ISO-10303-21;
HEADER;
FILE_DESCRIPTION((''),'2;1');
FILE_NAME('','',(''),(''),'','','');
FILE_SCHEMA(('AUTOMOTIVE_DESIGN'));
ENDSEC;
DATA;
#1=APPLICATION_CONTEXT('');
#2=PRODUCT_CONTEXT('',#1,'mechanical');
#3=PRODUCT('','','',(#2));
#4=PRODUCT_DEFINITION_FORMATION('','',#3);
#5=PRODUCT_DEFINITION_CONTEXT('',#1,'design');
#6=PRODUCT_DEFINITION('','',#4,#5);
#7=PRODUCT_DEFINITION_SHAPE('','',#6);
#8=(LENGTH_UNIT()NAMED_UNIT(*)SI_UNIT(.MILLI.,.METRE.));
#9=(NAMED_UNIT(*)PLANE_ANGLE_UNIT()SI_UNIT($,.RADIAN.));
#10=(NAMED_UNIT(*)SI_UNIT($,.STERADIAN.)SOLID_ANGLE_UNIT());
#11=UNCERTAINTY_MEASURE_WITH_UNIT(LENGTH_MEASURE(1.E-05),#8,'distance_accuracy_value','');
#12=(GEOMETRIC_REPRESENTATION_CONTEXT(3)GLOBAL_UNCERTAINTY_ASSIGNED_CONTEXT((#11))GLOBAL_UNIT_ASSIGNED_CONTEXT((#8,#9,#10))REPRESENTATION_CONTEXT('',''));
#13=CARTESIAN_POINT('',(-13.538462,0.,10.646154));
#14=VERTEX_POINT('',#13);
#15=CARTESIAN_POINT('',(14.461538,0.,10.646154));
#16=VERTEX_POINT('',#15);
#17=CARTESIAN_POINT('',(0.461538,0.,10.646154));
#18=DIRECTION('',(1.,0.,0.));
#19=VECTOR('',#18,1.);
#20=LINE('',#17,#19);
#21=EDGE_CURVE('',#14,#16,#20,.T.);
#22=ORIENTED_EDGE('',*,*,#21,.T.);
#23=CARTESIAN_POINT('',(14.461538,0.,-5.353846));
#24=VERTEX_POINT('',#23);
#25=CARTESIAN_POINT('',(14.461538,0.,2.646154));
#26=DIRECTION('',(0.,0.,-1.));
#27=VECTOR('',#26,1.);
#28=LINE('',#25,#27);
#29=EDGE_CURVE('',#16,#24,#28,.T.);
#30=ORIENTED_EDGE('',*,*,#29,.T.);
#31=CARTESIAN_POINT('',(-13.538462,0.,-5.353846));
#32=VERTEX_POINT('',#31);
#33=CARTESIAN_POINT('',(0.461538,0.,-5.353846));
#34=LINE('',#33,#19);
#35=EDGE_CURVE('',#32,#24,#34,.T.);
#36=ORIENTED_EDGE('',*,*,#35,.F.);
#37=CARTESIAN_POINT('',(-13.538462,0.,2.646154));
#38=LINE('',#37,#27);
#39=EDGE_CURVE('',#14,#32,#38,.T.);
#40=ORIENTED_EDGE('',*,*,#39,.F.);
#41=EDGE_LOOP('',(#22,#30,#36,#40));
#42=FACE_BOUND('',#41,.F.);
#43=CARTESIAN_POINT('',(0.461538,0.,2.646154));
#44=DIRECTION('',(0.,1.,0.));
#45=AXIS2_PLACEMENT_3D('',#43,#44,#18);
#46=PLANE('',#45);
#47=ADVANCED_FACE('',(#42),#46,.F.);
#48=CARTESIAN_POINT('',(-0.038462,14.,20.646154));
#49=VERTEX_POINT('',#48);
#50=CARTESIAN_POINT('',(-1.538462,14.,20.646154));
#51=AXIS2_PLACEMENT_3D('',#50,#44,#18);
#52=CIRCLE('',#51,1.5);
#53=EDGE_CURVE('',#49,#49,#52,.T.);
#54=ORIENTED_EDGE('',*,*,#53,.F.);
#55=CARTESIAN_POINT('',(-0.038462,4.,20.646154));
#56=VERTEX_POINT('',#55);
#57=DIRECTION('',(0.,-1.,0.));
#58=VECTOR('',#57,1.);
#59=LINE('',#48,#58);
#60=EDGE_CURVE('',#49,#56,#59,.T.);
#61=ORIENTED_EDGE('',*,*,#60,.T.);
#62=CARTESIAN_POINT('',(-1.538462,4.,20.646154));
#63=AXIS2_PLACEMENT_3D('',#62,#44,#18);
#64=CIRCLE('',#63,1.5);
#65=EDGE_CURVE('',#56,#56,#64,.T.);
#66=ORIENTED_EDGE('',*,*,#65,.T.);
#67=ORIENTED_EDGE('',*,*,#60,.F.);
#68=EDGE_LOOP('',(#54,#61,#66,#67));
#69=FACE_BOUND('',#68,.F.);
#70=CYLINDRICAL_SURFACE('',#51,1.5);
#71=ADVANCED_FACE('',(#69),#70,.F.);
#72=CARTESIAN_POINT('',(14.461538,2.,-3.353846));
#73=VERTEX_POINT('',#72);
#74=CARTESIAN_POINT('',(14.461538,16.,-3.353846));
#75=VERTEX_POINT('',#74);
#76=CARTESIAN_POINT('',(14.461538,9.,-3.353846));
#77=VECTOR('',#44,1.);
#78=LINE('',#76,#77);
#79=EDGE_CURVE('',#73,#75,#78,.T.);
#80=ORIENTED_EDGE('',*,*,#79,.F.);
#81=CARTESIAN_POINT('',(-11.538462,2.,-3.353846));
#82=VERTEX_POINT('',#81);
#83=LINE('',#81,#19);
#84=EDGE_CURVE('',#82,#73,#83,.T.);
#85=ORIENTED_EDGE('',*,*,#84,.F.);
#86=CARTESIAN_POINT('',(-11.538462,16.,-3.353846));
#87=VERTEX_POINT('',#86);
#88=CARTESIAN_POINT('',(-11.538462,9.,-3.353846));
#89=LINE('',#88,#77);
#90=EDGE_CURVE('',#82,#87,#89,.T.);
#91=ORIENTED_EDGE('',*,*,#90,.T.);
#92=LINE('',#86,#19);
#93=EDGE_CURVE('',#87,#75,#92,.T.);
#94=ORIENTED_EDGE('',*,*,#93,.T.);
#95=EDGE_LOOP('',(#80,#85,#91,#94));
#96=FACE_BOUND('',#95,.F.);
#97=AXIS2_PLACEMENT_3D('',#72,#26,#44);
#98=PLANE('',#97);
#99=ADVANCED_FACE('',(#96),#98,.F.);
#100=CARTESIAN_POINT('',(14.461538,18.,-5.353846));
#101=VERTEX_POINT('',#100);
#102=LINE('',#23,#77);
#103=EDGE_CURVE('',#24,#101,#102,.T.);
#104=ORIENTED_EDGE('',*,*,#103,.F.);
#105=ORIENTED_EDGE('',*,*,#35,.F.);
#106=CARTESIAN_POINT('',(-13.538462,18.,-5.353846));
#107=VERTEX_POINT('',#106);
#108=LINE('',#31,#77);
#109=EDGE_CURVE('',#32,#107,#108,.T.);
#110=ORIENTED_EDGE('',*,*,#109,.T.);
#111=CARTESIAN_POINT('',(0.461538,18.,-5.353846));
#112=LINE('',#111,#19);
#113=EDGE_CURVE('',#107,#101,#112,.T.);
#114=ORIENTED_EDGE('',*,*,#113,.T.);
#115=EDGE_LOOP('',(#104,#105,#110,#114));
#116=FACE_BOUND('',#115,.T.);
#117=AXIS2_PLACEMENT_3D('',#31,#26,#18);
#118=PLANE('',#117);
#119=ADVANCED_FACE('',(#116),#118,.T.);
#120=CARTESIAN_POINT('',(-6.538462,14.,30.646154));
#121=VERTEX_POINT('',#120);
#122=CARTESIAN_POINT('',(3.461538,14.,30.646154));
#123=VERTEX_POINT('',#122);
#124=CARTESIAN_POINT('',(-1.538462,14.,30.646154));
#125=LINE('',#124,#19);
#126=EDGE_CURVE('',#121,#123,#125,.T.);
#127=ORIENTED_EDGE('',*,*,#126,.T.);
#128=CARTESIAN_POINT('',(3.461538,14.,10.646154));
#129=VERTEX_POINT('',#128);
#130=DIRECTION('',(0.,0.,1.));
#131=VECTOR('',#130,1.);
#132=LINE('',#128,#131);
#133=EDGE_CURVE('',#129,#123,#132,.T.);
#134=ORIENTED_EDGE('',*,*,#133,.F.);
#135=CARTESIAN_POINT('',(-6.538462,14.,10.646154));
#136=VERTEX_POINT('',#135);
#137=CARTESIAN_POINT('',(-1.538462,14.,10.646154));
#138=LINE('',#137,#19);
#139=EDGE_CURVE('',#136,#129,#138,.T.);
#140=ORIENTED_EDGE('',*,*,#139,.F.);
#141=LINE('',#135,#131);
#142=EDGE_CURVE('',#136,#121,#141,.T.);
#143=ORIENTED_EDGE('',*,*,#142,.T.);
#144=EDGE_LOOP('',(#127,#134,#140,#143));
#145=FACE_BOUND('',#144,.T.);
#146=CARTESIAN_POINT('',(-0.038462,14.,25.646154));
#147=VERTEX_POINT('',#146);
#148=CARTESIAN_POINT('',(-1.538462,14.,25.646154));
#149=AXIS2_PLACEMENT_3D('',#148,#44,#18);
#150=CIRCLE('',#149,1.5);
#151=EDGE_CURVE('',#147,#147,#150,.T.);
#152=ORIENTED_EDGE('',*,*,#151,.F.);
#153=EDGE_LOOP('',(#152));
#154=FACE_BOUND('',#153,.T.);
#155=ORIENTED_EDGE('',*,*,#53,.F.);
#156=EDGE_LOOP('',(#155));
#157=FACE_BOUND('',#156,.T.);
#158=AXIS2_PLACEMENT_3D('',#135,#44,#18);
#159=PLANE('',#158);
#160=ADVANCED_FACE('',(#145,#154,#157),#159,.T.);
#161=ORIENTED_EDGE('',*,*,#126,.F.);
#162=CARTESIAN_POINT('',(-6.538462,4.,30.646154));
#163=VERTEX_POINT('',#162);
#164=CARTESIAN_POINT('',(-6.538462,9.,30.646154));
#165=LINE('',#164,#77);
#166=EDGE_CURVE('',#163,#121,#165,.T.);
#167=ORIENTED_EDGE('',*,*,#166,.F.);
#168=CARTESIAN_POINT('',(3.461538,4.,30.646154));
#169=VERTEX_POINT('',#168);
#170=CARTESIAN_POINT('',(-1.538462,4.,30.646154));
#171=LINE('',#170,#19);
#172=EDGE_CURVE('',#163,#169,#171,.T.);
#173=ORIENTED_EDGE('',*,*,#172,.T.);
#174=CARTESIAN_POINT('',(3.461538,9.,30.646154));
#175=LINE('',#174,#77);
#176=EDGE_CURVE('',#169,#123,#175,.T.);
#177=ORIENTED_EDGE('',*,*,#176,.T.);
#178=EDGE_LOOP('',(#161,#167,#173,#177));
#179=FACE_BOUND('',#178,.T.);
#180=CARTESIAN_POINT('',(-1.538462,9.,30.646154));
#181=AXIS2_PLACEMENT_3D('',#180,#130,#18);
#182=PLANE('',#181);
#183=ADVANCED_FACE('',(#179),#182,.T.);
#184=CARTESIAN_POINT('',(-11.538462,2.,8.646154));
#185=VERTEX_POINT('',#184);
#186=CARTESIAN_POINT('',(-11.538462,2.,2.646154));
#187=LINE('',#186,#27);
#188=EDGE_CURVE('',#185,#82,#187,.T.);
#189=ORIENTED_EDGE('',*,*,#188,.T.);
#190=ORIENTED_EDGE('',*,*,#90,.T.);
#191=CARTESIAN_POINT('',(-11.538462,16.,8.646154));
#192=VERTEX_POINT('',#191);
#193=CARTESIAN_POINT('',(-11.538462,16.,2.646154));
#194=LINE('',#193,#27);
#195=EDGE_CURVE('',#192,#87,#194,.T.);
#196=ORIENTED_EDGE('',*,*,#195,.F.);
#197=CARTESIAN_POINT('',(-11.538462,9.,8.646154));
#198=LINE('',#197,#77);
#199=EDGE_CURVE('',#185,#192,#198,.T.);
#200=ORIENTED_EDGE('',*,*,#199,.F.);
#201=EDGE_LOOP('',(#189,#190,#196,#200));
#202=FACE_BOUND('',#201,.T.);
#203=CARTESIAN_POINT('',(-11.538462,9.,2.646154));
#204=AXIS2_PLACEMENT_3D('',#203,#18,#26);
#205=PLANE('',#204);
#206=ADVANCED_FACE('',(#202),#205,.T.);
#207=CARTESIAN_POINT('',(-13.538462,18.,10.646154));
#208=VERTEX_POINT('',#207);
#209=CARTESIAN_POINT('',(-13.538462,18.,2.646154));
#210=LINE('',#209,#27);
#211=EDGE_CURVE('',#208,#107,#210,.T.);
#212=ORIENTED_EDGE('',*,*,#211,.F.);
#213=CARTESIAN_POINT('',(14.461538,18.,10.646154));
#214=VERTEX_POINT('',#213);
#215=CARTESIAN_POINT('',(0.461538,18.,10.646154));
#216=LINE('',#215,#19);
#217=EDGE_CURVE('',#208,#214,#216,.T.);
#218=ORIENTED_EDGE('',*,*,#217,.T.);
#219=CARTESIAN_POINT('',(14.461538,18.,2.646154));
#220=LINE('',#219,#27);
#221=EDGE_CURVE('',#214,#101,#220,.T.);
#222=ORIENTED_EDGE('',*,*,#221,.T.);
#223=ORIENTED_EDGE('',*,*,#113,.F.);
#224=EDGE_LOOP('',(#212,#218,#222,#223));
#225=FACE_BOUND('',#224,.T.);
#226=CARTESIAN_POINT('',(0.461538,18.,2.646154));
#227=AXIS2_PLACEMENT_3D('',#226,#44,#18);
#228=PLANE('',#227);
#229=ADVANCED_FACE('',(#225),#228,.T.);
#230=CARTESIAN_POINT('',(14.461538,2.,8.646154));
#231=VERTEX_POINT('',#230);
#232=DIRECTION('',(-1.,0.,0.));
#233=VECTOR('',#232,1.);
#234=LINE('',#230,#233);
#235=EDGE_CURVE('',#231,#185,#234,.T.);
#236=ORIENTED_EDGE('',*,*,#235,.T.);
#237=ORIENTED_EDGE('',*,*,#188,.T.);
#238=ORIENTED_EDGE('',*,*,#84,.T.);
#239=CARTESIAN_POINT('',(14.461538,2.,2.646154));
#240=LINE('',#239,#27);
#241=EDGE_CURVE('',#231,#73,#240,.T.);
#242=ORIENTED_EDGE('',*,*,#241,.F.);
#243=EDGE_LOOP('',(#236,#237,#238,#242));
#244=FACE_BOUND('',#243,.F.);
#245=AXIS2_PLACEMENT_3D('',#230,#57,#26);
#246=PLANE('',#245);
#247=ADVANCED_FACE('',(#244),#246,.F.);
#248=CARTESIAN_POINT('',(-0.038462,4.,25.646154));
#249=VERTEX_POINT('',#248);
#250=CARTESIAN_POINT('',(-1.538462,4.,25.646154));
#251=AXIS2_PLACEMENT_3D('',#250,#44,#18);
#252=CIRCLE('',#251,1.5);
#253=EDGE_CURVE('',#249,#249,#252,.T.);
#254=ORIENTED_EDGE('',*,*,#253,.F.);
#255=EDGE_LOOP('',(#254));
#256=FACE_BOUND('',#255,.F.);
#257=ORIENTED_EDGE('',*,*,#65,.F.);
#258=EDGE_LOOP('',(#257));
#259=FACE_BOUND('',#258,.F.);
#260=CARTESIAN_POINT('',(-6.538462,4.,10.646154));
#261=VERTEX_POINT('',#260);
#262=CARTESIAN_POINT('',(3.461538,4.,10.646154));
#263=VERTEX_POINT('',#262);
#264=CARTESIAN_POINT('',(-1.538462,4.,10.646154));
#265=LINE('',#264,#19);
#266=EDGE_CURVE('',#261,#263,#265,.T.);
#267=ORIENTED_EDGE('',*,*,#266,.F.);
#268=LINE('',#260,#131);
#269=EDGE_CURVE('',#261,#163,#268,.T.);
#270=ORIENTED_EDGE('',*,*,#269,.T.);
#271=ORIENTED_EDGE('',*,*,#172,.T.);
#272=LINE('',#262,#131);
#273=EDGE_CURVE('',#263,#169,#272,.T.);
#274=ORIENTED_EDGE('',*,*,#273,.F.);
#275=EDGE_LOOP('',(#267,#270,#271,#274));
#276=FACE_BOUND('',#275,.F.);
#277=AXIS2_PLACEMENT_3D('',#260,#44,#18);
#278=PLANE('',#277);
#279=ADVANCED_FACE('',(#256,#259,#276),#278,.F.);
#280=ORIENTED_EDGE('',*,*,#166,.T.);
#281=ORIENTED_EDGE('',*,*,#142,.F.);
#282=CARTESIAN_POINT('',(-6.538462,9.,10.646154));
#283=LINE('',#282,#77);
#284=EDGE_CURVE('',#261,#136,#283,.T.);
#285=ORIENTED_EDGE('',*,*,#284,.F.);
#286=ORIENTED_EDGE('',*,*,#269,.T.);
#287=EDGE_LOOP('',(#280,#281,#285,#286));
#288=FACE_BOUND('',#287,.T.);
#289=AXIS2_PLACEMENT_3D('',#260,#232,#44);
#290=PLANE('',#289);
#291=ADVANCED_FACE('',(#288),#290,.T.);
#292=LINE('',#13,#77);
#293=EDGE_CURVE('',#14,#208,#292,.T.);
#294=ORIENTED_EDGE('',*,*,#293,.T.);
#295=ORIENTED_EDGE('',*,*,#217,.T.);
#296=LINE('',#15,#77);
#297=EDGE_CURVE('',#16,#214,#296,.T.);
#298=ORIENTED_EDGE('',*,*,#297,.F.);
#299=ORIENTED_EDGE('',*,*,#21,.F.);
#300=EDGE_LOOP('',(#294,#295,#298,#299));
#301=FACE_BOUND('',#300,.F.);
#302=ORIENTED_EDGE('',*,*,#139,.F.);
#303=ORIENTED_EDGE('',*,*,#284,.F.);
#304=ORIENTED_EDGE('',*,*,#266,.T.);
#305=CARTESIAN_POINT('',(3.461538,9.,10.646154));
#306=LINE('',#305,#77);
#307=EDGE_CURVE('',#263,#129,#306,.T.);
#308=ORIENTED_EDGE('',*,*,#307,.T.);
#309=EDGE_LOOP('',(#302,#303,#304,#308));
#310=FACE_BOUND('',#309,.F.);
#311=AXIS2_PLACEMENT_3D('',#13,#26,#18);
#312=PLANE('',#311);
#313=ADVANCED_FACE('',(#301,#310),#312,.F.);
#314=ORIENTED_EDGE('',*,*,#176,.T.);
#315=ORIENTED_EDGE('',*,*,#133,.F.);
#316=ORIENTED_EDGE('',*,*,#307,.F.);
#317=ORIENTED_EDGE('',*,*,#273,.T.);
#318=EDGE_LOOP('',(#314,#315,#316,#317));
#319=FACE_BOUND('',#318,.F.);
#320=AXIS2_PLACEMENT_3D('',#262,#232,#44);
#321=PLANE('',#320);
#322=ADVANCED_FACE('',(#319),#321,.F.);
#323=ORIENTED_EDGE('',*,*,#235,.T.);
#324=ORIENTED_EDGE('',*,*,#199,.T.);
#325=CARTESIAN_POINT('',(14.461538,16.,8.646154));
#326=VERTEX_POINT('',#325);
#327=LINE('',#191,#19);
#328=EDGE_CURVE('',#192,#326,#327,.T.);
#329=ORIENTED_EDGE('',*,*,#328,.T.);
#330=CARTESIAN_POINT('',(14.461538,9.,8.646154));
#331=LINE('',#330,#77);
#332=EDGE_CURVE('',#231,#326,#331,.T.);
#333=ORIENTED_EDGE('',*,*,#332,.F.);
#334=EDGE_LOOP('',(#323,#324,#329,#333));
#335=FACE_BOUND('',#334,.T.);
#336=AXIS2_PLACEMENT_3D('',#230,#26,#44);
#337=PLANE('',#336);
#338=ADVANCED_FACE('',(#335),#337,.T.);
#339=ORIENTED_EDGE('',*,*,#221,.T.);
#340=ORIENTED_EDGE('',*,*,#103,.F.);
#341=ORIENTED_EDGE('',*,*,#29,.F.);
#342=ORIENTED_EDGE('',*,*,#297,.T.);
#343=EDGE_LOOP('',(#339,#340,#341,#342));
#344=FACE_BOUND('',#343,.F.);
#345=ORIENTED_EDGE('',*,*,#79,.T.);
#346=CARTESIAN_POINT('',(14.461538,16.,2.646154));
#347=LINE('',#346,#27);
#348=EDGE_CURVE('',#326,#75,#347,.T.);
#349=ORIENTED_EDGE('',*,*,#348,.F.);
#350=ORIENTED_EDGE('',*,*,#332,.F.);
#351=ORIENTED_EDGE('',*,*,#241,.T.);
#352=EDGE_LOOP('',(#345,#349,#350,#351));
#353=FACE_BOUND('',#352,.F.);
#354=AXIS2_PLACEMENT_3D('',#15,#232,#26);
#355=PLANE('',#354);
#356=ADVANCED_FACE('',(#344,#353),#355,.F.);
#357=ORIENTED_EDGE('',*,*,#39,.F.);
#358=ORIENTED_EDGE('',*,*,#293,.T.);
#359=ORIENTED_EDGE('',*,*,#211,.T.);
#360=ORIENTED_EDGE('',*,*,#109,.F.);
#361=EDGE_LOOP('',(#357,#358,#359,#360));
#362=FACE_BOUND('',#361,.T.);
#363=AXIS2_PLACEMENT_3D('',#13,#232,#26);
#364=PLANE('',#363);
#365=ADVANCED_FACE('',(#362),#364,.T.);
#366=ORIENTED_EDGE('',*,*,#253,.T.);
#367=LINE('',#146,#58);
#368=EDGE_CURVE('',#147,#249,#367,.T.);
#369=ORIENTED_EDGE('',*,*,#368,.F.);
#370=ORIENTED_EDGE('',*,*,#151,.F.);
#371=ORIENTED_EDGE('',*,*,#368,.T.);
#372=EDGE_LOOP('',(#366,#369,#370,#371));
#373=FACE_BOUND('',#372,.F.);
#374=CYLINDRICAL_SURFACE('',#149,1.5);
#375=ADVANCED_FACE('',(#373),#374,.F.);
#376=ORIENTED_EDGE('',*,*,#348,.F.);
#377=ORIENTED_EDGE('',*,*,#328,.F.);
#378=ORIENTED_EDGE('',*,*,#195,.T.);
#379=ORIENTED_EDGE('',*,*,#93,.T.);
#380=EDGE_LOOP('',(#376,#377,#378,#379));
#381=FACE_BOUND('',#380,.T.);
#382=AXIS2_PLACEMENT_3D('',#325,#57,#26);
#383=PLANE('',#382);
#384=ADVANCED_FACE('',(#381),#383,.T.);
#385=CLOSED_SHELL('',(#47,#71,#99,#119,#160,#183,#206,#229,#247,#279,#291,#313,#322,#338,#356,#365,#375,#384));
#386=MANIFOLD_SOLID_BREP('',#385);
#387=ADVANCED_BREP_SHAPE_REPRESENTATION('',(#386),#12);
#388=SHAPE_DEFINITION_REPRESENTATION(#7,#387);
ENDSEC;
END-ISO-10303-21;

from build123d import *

# Parameters (mm, degrees)
SKETCH1_W           = 28
SKETCH1_H           = 16
BOSS_EXTRUDE1_DEPTH = 18
SKETCH3_W           = 10
SKETCH3_H           = 10
BOSS_EXTRUDE2_DEPTH = 20
SKETCH4_W           = 12
SKETCH4_H           = 14
CUT_EXTRUDE1_DEPTH  = 25
SKETCH5_R           = 1.5
CUT_EXTRUDE2_DEPTH  = 25
SKETCH4_2_W         = 12
SKETCH4_2_H         = 14
CUT_EXTRUDE3_DEPTH  = 26


with BuildPart() as part:
    # Sketch1 → Boss-Extrude1 (new body)
    with BuildSketch(Plane(origin=(0, 0, 0), x_dir=(1, 0, 0), z_dir=(0, 1, 0))):
        with Locations((0.461538462, -2.646153846)):
            Rectangle(SKETCH1_W, SKETCH1_H)
    extrude(amount=BOSS_EXTRUDE1_DEPTH)

    # Sketch3 → Boss-Extrude2 (add)
    with BuildSketch(Plane.XY.offset(10.646153846)):
        with Locations((-1.538461538, 9)):
            Rectangle(SKETCH3_W, SKETCH3_H)
    extrude(amount=BOSS_EXTRUDE2_DEPTH)

    # Sketch4 → Cut-Extrude1 (cut)
    with BuildSketch(Plane(origin=(14.461538462, 0, 0), x_dir=(0, 0, -1), z_dir=(1, 0, 0))):
        with Locations((-2.646153846, 9)):
            Rectangle(SKETCH4_W, SKETCH4_H)
    extrude(amount=-CUT_EXTRUDE1_DEPTH, mode=Mode.SUBTRACT)

    # Sketch5 → Cut-Extrude2 (cut)
    with BuildSketch(Plane(origin=(0, 14, 0), x_dir=(1, 0, 0), z_dir=(0, 1, 0))):
        with Locations((-1.538461538, -20.646153846)):
            Circle(SKETCH5_R)
        with Locations((-1.538461538, -25.646153846)):
            Circle(SKETCH5_R)
    extrude(amount=-CUT_EXTRUDE2_DEPTH, mode=Mode.SUBTRACT)

    # Sketch4<2> → Cut-Extrude3 (cut)
    with BuildSketch(Plane(origin=(14.461538462, 0, 0), x_dir=(0, 0, -1), z_dir=(1, 0, 0))):
        with Locations((-2.646153846, 9)):
            Rectangle(SKETCH4_2_W, SKETCH4_2_H)
    extrude(amount=-CUT_EXTRUDE3_DEPTH, mode=Mode.SUBTRACT)


solid = part.part
